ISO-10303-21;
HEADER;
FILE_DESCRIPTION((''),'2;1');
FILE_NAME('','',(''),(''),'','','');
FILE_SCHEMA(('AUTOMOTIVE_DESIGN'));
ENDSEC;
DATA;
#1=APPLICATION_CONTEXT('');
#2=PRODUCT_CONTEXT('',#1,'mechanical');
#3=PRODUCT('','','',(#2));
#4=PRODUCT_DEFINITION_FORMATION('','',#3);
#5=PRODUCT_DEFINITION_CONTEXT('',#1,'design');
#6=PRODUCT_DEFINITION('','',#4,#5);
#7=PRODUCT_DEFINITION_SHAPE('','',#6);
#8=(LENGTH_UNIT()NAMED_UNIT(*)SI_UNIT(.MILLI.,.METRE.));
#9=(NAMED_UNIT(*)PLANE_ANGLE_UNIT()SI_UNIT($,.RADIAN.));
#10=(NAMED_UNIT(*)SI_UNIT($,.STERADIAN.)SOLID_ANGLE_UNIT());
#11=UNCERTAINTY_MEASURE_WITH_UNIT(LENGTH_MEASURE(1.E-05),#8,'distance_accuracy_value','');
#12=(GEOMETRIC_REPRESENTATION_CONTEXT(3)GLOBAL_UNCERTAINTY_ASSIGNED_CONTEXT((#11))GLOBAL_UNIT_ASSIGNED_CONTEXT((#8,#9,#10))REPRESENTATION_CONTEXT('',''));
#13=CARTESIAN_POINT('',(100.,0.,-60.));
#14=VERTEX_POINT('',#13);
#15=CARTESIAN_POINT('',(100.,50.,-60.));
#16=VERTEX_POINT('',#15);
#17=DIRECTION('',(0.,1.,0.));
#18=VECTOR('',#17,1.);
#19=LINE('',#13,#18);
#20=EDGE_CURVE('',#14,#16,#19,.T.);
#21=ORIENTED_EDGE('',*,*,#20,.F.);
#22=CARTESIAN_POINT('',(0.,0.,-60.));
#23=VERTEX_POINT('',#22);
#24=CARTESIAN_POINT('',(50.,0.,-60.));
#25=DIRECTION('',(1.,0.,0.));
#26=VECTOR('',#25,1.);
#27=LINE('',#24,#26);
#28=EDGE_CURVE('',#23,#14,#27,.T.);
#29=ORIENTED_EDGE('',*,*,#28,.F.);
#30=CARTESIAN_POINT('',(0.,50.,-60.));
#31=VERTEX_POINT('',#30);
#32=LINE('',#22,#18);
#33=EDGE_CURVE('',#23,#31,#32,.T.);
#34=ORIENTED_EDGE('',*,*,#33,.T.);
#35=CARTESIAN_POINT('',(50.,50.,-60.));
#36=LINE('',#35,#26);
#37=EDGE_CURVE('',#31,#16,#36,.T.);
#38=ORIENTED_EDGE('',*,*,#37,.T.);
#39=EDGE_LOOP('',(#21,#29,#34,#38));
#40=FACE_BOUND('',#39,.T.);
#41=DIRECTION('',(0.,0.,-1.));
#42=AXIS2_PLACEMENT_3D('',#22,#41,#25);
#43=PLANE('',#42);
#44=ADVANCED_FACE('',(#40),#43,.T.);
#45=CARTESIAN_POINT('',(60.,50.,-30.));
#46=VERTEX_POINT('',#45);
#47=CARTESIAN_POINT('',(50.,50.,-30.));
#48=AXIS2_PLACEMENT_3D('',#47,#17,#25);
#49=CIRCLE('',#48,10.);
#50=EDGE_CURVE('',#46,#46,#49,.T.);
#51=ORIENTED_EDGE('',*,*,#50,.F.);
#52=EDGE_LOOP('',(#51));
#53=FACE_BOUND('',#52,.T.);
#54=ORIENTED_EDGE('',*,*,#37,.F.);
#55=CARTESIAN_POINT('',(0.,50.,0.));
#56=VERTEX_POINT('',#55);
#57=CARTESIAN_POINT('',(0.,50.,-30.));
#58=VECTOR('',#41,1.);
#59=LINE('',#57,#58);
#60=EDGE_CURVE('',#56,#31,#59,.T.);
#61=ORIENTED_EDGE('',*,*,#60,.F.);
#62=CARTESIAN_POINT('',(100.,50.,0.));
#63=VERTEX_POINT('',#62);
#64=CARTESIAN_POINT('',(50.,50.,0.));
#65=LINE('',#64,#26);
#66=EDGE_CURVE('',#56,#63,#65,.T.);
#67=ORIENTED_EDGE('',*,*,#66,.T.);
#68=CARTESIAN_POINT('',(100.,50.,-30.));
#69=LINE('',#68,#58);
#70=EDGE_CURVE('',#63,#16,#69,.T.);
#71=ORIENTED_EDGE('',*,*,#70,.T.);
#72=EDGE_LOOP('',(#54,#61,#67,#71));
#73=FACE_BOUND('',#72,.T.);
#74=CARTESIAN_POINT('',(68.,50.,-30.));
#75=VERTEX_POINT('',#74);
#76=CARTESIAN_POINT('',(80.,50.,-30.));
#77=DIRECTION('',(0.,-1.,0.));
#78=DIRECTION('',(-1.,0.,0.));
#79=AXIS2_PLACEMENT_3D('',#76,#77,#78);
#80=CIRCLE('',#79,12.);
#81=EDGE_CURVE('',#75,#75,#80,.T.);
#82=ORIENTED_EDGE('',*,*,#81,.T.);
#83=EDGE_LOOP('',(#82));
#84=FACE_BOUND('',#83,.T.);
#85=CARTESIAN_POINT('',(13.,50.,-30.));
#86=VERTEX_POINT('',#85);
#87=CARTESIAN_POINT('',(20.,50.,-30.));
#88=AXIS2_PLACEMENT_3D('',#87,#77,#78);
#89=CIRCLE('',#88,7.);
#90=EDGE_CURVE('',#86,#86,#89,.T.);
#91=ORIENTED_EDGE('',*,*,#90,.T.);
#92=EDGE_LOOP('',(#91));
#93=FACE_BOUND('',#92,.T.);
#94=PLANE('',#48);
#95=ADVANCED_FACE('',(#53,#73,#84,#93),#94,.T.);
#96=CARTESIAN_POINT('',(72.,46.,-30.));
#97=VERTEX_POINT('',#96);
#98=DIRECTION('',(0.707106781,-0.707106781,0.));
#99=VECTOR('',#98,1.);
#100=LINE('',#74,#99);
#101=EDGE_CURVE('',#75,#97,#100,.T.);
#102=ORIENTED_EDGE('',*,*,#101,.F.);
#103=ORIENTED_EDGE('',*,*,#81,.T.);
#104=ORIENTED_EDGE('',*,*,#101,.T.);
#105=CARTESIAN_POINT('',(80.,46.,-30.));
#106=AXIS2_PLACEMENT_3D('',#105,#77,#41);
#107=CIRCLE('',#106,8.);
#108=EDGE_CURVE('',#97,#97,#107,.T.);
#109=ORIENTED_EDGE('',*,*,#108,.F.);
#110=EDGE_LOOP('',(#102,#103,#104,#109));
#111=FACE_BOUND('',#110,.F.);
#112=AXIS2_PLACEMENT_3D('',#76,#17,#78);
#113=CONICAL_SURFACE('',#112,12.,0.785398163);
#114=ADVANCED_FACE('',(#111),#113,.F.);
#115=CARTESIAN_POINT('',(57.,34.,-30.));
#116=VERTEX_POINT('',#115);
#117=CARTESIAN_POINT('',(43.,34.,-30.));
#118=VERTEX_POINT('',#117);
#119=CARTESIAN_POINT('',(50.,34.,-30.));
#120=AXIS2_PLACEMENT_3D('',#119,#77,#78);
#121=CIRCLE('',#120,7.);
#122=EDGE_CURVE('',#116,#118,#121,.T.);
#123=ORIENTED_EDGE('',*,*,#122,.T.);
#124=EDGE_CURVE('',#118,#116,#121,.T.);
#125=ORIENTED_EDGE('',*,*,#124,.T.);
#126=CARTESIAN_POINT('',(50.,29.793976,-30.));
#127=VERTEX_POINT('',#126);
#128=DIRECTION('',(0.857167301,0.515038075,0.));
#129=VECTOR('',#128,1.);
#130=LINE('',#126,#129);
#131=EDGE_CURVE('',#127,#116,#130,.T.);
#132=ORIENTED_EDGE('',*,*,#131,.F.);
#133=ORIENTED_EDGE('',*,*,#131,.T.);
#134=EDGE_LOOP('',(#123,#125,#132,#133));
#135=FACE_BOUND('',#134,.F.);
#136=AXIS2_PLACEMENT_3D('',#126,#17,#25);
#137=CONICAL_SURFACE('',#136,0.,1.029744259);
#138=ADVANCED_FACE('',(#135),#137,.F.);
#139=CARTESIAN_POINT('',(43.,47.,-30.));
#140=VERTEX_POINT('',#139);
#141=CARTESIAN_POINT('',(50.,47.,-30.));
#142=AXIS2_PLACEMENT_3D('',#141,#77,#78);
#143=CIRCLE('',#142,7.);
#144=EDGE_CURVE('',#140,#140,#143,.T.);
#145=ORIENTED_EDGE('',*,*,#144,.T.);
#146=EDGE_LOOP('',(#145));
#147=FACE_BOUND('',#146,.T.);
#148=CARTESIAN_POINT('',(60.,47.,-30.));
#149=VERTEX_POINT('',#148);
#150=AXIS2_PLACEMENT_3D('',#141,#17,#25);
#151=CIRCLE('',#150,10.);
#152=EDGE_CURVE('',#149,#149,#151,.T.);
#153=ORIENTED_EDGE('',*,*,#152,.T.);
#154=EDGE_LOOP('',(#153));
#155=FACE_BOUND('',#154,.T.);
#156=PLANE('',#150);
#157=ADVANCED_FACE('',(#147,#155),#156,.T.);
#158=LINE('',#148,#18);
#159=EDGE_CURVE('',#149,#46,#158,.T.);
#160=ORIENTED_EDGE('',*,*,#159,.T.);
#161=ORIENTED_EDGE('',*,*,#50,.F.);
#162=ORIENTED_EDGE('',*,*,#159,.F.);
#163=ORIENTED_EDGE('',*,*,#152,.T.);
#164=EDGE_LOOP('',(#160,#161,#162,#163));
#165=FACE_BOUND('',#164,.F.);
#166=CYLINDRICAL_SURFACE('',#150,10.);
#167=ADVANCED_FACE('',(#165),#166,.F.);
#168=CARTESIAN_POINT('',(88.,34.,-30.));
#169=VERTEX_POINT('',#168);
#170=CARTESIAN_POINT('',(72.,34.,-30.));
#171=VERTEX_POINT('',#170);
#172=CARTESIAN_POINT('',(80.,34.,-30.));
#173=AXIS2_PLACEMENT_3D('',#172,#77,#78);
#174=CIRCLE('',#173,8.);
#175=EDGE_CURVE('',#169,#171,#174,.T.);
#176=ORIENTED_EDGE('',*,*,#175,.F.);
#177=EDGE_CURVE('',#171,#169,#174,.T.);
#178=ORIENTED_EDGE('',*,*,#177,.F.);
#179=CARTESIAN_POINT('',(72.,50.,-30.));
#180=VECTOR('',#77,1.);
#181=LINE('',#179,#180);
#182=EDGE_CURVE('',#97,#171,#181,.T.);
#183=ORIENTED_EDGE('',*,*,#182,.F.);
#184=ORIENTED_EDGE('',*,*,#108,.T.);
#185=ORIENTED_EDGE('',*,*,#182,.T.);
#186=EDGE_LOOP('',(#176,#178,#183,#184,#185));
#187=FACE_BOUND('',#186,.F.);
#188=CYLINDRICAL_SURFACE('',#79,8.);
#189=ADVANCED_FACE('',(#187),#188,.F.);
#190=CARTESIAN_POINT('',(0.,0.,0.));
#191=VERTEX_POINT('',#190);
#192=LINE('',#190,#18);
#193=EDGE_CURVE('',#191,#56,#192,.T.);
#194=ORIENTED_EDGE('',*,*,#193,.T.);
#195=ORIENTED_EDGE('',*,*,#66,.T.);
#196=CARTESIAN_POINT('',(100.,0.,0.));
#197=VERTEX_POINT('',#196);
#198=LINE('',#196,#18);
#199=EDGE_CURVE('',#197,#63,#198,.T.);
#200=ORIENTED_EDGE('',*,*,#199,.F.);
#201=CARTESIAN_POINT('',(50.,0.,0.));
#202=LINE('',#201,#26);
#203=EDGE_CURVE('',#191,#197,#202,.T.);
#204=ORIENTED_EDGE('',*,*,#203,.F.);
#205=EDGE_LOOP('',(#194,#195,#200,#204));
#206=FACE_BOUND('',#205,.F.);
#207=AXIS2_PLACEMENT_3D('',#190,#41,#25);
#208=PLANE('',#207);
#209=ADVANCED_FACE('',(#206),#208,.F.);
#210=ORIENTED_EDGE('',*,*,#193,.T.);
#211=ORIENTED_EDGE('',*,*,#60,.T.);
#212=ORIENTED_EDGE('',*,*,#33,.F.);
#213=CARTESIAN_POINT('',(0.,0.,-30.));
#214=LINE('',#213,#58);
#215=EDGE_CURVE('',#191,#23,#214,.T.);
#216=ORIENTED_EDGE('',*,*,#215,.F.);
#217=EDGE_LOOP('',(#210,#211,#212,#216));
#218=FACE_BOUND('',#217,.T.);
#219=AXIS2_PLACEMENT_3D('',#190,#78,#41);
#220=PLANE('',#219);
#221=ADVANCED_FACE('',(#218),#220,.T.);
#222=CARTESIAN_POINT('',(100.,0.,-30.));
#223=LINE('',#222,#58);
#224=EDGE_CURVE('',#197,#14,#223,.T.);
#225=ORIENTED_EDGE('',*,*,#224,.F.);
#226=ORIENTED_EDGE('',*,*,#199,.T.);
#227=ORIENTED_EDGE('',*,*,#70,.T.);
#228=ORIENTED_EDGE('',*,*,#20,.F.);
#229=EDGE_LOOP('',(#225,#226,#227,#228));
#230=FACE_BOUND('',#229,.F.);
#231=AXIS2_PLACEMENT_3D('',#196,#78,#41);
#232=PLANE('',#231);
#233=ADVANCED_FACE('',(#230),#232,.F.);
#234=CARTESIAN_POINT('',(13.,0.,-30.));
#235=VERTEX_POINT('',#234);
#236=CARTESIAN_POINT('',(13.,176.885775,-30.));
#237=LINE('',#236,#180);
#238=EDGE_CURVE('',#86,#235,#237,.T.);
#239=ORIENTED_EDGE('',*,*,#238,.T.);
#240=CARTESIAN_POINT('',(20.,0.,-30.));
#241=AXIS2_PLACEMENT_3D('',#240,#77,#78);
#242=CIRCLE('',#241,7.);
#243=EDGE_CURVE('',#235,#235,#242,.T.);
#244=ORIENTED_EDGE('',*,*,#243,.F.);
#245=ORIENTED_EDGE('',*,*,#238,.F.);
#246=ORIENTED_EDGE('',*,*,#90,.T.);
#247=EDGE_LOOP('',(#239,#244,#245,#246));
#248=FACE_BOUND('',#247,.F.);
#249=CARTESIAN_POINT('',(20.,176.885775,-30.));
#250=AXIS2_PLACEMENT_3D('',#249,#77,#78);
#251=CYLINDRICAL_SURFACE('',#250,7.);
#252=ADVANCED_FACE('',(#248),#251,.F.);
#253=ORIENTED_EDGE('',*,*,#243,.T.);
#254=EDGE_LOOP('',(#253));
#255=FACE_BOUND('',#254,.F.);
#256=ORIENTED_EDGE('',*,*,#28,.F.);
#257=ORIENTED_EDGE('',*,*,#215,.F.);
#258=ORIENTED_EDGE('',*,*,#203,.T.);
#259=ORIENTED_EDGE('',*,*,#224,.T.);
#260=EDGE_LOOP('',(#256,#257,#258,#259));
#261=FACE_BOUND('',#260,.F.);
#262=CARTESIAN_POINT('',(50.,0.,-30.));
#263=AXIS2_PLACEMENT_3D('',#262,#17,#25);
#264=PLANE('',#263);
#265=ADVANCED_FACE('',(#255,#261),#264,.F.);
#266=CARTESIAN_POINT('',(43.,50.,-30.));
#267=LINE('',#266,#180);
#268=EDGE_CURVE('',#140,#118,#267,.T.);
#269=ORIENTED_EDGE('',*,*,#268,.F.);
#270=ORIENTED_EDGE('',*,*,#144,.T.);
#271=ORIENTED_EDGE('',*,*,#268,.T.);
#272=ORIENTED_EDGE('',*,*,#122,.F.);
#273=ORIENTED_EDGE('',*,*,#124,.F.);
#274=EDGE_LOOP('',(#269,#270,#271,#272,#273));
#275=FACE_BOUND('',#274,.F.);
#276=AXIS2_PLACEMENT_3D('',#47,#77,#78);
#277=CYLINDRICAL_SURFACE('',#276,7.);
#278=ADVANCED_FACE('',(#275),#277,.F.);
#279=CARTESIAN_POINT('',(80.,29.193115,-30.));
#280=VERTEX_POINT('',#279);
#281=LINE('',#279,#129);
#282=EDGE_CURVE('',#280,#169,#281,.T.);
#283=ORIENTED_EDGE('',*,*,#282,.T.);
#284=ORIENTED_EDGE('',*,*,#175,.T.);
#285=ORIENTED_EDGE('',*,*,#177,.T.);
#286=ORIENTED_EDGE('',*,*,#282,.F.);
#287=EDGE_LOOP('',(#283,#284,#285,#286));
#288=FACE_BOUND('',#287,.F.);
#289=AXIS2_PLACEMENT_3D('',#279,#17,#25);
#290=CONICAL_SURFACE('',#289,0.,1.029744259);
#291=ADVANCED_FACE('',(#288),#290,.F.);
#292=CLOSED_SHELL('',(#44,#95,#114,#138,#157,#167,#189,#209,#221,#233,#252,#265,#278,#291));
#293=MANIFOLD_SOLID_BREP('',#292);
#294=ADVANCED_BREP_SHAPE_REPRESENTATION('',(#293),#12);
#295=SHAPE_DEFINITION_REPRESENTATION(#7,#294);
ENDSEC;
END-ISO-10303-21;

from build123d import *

# Parameters (mm, degrees)
SKETCH1_W                                       = 100
SKETCH1_H                                       = 60
BOSS_EXTRUDE2_DEPTH                             = 50
CBORE_FOR_M5_HEX_HEAD_BOLT1_D                   = 14
CBORE_FOR_M5_HEX_HEAD_BOLT1_DEPTH               = 16
CBORE_FOR_M5_HEX_HEAD_BOLT1_CBORE_D             = 20
CBORE_FOR_M5_HEX_HEAD_BOLT1_CBORE_DEPTH         = 3
CBORE_FOR_M5_HEX_HEAD_BOLT1_TIP                 = 4.206024333
CSK_FOR_M5_FLAT_HEAD_MACHINE_SCREW1_D           = 16
CSK_FOR_M5_FLAT_HEAD_MACHINE_SCREW1_DEPTH       = 16
CSK_FOR_M5_FLAT_HEAD_MACHINE_SCREW1_CSINK_D     = 24
CSK_FOR_M5_FLAT_HEAD_MACHINE_SCREW1_CSINK_ANGLE = 90
CSK_FOR_M5_FLAT_HEAD_MACHINE_SCREW1_TIP         = 4.806884952
M16X2_0_TAPPED_HOLE1_D                          = 14


with BuildPart() as part:
    # Sketch1 → Boss-Extrude2 (new body)
    with BuildSketch(Plane(origin=(0, 0, 0), x_dir=(1, 0, 0), z_dir=(0, 1, 0))):
        with Locations((50, 30)):
            Rectangle(SKETCH1_W, SKETCH1_H)
    extrude(amount=BOSS_EXTRUDE2_DEPTH)

    # CBORE for M5 Hex Head Bolt1
    with Locations(Plane(origin=(0, 50, 0), x_dir=(1, 0, 0), z_dir=(0, 1, 0))):
        with Locations((50, 30)):
            CounterBoreHole(CBORE_FOR_M5_HEX_HEAD_BOLT1_D / 2, CBORE_FOR_M5_HEX_HEAD_BOLT1_CBORE_D / 2, CBORE_FOR_M5_HEX_HEAD_BOLT1_CBORE_DEPTH, depth=CBORE_FOR_M5_HEX_HEAD_BOLT1_DEPTH)
            with Locations((0, 0, -(CBORE_FOR_M5_HEX_HEAD_BOLT1_DEPTH + CBORE_FOR_M5_HEX_HEAD_BOLT1_TIP / 2))):  # 118° drill point
                Cone(0, CBORE_FOR_M5_HEX_HEAD_BOLT1_D / 2, CBORE_FOR_M5_HEX_HEAD_BOLT1_TIP, mode=Mode.SUBTRACT)

    # CSK for M5 Flat Head Machine Screw1
    with Locations(Plane(origin=(0, 50, 0), x_dir=(1, 0, 0), z_dir=(0, 1, 0))):
        with Locations((80, 30)):
            CounterSinkHole(CSK_FOR_M5_FLAT_HEAD_MACHINE_SCREW1_D / 2, CSK_FOR_M5_FLAT_HEAD_MACHINE_SCREW1_CSINK_D / 2, depth=CSK_FOR_M5_FLAT_HEAD_MACHINE_SCREW1_DEPTH, counter_sink_angle=CSK_FOR_M5_FLAT_HEAD_MACHINE_SCREW1_CSINK_ANGLE)
            with Locations((0, 0, -(CSK_FOR_M5_FLAT_HEAD_MACHINE_SCREW1_DEPTH + CSK_FOR_M5_FLAT_HEAD_MACHINE_SCREW1_TIP / 2))):  # 118° drill point
                Cone(0, CSK_FOR_M5_FLAT_HEAD_MACHINE_SCREW1_D / 2, CSK_FOR_M5_FLAT_HEAD_MACHINE_SCREW1_TIP, mode=Mode.SUBTRACT)

    # M16x2.0 Tapped Hole1 (through all)
    with Locations(Plane(origin=(0, 50, 0), x_dir=(1, 0, 0), z_dir=(0, 1, 0))):
        with Locations((20, 30)):
            Hole(M16X2_0_TAPPED_HOLE1_D / 2)


solid = part.part
